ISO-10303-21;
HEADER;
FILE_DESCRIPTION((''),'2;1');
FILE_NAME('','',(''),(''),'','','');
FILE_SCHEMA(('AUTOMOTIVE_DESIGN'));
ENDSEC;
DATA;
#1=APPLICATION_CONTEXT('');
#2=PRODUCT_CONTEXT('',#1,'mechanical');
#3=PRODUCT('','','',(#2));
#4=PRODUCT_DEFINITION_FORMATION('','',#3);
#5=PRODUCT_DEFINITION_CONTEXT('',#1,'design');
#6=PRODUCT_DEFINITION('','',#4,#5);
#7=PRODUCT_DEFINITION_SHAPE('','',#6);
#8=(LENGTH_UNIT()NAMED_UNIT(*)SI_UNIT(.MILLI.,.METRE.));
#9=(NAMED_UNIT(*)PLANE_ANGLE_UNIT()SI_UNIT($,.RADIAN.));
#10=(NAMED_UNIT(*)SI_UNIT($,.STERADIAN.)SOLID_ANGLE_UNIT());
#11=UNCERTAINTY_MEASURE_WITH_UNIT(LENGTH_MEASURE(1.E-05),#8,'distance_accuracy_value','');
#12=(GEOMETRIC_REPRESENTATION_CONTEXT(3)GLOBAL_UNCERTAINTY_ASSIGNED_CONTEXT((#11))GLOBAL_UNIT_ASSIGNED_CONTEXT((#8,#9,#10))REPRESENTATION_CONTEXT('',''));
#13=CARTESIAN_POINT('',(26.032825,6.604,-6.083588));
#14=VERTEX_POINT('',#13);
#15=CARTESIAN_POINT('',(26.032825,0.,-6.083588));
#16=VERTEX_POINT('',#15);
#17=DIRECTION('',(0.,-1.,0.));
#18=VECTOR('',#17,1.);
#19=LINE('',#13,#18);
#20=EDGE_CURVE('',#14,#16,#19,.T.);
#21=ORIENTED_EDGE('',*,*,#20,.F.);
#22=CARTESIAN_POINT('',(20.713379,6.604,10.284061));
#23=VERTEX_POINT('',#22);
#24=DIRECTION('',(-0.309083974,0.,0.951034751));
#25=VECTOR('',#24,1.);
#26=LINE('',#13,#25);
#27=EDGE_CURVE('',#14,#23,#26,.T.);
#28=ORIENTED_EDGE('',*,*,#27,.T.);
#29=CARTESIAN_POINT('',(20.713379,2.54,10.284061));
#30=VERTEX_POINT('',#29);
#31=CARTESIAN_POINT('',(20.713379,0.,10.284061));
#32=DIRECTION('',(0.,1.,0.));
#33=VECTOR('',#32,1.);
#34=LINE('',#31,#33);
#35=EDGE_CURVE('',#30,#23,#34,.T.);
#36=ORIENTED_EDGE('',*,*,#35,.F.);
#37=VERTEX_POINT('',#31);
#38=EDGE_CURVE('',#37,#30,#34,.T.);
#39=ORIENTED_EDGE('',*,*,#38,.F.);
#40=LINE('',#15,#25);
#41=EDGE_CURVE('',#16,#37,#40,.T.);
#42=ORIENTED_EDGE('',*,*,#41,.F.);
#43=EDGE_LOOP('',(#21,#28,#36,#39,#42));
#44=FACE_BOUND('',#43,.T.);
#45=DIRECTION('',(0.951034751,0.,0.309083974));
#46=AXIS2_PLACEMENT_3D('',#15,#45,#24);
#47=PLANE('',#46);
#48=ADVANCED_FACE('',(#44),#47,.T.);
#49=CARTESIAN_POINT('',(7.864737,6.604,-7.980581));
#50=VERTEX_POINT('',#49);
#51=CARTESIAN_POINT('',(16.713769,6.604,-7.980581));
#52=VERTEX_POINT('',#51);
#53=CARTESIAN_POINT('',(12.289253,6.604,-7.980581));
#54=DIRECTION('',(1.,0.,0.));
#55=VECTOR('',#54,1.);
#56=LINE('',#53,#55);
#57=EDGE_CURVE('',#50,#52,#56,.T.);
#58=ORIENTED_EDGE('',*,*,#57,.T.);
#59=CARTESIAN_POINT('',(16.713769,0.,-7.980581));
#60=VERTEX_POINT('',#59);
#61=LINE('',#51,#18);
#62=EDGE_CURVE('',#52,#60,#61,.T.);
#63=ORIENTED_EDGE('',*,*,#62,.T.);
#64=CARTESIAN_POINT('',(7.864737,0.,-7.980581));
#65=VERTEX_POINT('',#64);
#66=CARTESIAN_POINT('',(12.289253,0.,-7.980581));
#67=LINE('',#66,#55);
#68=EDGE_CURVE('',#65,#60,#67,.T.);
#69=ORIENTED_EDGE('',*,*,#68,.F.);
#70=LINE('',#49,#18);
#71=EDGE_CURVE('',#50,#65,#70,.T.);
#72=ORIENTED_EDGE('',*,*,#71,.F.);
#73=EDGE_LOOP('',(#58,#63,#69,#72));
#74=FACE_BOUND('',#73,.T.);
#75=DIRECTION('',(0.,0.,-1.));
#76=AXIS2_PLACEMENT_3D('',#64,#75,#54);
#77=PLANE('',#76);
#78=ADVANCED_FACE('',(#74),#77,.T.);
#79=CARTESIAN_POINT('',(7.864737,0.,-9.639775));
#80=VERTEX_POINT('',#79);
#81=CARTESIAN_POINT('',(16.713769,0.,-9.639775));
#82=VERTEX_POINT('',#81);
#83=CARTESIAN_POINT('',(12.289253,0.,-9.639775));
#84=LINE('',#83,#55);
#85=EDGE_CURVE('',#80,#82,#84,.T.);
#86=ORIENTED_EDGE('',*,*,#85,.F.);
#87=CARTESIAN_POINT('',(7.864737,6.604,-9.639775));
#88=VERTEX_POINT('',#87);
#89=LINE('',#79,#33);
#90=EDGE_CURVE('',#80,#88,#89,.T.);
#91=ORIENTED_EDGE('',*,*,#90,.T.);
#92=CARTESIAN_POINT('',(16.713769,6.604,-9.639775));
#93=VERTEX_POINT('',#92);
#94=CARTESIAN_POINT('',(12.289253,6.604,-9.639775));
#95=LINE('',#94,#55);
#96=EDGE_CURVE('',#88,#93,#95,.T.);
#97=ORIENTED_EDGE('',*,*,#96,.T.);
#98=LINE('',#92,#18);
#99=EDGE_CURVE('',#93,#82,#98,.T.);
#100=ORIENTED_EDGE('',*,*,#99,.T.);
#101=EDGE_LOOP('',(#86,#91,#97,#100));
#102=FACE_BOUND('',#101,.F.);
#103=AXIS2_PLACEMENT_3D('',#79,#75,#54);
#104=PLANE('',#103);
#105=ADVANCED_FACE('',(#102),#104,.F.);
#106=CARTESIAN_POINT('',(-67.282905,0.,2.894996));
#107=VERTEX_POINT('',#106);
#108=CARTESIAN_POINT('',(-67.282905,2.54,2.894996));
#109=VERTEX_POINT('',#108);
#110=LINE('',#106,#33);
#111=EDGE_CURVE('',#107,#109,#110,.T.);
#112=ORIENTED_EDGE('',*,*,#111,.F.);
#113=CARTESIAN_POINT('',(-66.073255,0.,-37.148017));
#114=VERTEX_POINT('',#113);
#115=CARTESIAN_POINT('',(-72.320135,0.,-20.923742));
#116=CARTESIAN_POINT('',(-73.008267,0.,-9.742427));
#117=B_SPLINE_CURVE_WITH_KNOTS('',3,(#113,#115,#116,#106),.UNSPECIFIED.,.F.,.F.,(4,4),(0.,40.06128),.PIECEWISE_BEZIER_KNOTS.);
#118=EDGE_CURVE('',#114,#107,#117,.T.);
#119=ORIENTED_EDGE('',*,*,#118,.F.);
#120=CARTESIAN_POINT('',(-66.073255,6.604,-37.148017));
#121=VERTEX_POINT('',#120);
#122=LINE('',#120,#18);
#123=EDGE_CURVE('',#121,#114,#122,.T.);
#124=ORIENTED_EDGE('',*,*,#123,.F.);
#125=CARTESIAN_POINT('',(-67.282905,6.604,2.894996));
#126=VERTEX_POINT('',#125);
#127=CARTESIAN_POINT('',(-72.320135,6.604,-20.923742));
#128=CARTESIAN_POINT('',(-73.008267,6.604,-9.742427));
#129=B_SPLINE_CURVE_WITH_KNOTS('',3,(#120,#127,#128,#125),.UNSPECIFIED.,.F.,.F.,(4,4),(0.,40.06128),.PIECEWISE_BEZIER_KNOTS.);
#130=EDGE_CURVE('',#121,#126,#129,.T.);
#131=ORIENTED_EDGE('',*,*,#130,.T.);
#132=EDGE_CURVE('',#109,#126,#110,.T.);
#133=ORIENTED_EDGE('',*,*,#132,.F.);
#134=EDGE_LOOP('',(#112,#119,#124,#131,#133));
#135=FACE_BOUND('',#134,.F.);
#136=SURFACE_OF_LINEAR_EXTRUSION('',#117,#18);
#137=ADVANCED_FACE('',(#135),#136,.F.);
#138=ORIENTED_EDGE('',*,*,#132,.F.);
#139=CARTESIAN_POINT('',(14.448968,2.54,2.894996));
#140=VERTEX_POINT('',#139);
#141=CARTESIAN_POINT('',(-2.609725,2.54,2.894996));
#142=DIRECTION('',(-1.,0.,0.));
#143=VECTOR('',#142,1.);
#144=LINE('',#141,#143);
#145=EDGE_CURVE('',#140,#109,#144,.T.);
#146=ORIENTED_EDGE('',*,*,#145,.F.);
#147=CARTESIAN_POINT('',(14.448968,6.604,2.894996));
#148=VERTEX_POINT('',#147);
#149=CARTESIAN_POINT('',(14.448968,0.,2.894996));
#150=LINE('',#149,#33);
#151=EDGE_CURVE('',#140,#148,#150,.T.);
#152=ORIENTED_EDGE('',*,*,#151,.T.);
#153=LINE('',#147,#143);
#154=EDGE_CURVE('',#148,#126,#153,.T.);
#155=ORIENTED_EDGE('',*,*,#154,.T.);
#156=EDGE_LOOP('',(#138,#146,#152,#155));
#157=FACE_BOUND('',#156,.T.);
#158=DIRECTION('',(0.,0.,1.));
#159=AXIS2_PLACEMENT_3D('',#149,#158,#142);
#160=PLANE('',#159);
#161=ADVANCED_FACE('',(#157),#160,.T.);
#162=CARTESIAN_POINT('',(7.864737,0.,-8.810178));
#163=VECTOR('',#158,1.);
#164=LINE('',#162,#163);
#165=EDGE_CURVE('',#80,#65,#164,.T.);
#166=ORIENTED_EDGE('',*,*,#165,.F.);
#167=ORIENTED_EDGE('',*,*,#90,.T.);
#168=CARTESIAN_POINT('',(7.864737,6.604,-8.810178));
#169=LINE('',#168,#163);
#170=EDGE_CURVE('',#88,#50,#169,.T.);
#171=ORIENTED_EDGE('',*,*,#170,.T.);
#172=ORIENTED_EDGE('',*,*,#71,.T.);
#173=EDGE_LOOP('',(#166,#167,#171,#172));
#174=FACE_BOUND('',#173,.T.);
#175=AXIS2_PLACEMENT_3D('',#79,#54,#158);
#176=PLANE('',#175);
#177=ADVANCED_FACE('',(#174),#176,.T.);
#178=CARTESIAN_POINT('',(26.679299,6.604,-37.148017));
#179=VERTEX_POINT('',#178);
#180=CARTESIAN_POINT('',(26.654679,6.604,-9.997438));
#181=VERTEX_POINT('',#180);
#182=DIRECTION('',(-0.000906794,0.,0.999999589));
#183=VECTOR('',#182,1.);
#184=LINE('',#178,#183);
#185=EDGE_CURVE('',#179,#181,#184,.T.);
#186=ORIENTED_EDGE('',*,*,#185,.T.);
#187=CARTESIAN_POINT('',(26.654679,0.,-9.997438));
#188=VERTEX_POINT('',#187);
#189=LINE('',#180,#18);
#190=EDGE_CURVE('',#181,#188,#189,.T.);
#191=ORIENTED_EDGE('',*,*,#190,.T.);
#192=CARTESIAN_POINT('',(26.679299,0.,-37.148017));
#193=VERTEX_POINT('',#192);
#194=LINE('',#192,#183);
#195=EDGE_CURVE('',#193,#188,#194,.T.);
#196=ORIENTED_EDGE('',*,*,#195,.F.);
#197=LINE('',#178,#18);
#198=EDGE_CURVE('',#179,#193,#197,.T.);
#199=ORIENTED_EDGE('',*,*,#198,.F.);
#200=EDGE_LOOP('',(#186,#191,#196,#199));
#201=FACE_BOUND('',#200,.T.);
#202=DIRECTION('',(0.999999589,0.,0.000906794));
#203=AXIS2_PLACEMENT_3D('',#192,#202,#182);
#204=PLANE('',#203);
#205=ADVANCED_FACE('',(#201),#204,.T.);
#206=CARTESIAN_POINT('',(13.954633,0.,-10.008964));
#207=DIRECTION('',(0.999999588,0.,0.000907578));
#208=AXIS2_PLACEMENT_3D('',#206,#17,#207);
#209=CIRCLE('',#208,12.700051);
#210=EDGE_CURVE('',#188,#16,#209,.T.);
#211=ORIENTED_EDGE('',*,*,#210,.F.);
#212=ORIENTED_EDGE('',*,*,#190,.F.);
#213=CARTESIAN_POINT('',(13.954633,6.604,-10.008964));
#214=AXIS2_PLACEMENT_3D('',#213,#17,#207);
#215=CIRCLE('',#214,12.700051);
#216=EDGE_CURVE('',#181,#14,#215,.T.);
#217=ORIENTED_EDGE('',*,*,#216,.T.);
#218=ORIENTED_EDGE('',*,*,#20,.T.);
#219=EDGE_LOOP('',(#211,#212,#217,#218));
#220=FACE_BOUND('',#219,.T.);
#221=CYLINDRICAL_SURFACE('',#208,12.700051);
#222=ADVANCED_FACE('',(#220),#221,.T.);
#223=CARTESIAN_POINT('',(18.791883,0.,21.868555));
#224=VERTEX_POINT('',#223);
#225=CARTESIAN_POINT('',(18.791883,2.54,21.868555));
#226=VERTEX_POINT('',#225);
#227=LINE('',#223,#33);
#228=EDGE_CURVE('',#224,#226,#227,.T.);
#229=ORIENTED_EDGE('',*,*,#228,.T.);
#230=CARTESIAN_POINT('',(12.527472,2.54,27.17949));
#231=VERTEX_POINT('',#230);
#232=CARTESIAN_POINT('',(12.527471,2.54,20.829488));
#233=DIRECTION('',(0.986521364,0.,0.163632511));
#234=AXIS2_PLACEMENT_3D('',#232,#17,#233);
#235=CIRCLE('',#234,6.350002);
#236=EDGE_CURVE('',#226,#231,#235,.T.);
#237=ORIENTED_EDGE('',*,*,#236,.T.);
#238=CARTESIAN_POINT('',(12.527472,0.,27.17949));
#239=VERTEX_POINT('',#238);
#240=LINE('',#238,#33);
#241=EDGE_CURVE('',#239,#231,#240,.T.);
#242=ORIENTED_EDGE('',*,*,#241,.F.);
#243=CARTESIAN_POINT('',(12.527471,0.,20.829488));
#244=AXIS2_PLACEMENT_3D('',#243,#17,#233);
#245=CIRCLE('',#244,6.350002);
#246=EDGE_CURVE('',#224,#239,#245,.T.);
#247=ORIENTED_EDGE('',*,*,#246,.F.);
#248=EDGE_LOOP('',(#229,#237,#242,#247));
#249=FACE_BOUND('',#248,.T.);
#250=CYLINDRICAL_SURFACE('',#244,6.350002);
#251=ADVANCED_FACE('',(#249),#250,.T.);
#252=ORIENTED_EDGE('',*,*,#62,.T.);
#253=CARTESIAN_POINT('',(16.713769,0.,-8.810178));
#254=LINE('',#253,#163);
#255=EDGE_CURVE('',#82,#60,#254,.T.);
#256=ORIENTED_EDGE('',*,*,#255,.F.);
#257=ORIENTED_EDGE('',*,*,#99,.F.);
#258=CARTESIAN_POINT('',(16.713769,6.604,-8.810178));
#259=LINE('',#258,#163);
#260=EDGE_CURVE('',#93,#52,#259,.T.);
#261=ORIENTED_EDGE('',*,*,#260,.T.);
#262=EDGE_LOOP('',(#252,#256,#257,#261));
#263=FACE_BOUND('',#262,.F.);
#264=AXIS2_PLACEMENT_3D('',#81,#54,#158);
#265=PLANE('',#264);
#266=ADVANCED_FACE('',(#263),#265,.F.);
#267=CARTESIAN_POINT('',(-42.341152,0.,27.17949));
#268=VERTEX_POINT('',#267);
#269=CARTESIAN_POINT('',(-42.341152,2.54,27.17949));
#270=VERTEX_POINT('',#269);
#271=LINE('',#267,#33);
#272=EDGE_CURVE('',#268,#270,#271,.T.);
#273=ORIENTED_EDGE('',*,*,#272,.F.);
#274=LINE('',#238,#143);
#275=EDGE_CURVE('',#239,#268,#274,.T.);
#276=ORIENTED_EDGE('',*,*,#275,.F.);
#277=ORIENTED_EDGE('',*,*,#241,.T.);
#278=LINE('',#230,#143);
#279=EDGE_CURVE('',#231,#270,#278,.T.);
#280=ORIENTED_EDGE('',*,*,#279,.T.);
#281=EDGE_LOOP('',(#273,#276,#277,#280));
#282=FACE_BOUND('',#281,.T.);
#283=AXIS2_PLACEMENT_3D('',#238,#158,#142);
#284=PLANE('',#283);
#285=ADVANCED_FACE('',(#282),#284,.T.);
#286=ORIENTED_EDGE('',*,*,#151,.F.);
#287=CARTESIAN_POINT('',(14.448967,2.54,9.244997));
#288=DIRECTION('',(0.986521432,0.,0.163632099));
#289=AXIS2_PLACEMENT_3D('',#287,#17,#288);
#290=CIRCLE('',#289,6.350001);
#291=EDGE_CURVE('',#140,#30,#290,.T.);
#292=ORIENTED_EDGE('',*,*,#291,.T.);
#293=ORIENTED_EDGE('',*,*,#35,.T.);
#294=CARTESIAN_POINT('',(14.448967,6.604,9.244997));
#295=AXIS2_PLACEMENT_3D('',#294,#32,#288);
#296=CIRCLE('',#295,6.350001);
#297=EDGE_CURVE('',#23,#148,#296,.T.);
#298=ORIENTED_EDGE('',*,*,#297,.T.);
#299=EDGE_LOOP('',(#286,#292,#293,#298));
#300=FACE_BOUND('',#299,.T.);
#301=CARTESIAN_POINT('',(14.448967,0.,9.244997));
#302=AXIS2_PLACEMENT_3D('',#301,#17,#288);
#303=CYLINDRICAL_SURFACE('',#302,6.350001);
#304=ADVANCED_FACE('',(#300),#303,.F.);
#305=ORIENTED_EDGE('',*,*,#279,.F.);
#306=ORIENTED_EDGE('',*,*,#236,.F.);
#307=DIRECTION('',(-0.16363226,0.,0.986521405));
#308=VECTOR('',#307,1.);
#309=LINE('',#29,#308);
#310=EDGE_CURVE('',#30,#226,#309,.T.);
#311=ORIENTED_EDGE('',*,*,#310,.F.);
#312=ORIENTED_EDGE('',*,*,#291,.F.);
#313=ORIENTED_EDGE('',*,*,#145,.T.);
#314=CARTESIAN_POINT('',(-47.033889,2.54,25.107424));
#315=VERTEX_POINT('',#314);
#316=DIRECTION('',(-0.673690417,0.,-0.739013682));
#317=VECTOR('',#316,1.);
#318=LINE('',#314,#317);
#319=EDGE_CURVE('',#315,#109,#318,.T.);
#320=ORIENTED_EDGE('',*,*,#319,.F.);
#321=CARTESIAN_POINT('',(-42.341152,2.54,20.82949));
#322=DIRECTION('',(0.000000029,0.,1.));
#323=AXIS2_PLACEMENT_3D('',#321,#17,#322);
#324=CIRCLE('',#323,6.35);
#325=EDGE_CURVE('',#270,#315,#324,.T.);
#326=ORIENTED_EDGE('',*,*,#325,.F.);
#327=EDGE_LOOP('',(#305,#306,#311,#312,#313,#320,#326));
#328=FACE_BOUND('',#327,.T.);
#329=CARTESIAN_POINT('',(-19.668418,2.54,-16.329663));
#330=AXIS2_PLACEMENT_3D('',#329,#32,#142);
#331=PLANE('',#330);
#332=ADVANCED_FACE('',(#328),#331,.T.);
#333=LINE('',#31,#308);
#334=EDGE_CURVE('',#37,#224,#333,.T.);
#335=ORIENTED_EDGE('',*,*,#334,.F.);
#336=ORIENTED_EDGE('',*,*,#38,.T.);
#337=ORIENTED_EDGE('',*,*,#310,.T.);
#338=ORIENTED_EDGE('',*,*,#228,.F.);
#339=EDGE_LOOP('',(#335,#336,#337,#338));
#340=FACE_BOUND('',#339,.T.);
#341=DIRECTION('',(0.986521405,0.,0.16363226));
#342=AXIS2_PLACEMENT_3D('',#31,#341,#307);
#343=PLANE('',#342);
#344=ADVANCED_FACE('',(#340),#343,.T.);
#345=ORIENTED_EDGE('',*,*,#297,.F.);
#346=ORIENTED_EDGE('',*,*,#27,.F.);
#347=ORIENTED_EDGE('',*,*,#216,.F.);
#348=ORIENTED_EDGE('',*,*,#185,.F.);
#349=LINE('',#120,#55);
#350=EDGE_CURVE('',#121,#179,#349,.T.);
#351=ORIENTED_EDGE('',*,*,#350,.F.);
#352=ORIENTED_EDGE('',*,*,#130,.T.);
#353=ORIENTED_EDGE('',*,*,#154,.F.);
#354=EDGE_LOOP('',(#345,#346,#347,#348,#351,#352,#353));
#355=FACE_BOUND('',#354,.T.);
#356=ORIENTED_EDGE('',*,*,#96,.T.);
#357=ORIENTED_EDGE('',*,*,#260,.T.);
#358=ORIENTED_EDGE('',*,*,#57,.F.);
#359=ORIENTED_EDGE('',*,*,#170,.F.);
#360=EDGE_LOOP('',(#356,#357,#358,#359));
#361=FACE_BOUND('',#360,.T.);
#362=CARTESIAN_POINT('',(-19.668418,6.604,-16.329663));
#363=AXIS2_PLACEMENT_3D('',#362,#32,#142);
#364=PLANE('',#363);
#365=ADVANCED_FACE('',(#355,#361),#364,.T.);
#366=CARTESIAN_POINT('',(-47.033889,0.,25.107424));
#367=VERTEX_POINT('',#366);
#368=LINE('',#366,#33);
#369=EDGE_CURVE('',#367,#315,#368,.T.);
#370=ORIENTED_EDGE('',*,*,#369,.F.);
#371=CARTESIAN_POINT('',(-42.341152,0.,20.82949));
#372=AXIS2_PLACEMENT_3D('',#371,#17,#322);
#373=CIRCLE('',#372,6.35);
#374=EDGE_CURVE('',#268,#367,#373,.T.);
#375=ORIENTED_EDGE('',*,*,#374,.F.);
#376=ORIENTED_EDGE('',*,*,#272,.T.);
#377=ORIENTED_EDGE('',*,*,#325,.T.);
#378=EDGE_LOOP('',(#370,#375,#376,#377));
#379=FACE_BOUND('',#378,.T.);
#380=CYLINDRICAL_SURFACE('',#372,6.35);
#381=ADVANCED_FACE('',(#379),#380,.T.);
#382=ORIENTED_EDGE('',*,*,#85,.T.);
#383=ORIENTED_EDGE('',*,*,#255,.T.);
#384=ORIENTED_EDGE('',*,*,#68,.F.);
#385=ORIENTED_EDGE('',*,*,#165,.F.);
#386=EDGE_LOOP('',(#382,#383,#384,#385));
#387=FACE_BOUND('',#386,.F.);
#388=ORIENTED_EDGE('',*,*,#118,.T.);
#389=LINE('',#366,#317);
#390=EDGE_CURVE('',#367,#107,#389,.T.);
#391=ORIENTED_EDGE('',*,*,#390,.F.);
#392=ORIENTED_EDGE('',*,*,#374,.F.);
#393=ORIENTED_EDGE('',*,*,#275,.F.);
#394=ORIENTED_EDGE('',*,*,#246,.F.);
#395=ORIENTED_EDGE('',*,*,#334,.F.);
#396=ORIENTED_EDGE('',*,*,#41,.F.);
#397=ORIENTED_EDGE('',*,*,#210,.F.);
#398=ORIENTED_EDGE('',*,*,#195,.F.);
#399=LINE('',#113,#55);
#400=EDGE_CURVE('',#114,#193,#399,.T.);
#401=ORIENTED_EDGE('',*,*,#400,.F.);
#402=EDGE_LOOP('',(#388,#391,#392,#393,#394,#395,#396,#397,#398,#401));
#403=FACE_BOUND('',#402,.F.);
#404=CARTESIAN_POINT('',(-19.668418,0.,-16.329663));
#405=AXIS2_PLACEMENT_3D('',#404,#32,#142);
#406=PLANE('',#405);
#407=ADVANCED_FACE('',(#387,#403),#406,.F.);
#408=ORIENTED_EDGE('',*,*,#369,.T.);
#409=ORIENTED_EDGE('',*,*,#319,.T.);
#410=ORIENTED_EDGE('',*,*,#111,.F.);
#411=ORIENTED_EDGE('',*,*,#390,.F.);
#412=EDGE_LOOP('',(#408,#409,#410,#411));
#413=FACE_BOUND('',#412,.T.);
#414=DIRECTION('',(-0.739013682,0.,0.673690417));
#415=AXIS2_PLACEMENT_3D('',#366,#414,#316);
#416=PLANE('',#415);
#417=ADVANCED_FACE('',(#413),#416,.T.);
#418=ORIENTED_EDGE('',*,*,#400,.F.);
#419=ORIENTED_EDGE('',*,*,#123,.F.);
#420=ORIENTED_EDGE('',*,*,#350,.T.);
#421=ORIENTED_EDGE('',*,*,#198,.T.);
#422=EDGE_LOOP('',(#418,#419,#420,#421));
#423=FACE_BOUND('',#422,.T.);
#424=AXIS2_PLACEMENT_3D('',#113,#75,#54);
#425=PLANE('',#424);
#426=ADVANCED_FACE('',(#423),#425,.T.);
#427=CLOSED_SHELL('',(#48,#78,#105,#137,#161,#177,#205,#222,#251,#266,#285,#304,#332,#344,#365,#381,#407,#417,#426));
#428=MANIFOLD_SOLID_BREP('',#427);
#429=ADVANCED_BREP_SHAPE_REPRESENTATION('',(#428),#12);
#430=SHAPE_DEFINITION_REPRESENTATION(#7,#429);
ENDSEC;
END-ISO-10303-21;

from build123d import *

# Parameters (mm, degrees)
F0_W     = 8.849032
F0_H     = 1.659194
F1_DEPTH = 6.604
F2_DEPTH = 2.54


with BuildPart() as f1:
    # F0 (on Front) → F1 (new body)
    with BuildSketch(Plane.XZ):
        with BuildLine():
            add(Edge.make_bspline(
                [(-66.073255, -37.148017), (-72.320135, -20.923742), (-73.008267, -9.742427), (-67.282905, 2.894996)],
                knots=[0, 0, 0, 0, 40.06128, 40.06128, 40.06128, 40.06128], degree=3))
            Line((-66.073255, -37.148017), (26.679299, -37.148017))
            Line((26.679299, -37.148017), (26.654679, -9.997438))
            ThreePointArc((26.654679, -9.997438), (26.497353, -8.016108), (26.032825, -6.083588))
            Line((26.032825, -6.083588), (20.713379, 10.284061))
            ThreePointArc((20.713379, 10.284061), (19.292549, 5.138633), (14.448968, 2.894996))
            Line((14.448968, 2.894996), (-67.282905, 2.894996))
        make_face()
        with Locations((12.289253, -8.810178)):
            Rectangle(F0_W, F0_H, mode=Mode.SUBTRACT)
    extrude(amount=-F1_DEPTH)

    # F0 (on Front) → F2 (join)
    with BuildSketch(Plane.XZ):
        with BuildLine():
            add(Edge.make_bspline(
                [(-66.073255, -37.148017), (-72.320135, -20.923742), (-73.008267, -9.742427), (-67.282905, 2.894996)],
                knots=[0, 0, 0, 0, 40.06128, 40.06128, 40.06128, 40.06128], degree=3))
            Line((-66.073255, -37.148017), (26.679299, -37.148017))
            Line((26.679299, -37.148017), (26.654679, -9.997438))
            ThreePointArc((26.654679, -9.997438), (26.497353, -8.016108), (26.032825, -6.083588))
            Line((26.032825, -6.083588), (20.713379, 10.284061))
            ThreePointArc((20.713379, 10.284061), (19.292549, 5.138633), (14.448968, 2.894996))
            Line((14.448968, 2.894996), (-67.282905, 2.894996))
        make_face()
        with Locations((12.289253, -8.810178)):
            Rectangle(F0_W, F0_H, mode=Mode.SUBTRACT)
        with BuildLine():
            Line((-47.033889, 25.107424), (-67.282905, 2.894996))
            Line((-67.282905, 2.894996), (14.448968, 2.894996))
            ThreePointArc((14.448968, 2.894996), (19.292549, 5.138633), (20.713379, 10.284061))
            Line((20.713379, 10.284061), (18.791883, 21.868555))
            ThreePointArc((18.791883, 21.868555), (16.633835, 25.673071), (12.527472, 27.17949))
            Line((12.527472, 27.17949), (-42.341152, 27.17949))
            ThreePointArc((-42.341152, 27.17949), (-44.906071, 26.638422), (-47.033889, 25.107424))
        make_face()
    extrude(amount=-F2_DEPTH)


solid = f1.part
